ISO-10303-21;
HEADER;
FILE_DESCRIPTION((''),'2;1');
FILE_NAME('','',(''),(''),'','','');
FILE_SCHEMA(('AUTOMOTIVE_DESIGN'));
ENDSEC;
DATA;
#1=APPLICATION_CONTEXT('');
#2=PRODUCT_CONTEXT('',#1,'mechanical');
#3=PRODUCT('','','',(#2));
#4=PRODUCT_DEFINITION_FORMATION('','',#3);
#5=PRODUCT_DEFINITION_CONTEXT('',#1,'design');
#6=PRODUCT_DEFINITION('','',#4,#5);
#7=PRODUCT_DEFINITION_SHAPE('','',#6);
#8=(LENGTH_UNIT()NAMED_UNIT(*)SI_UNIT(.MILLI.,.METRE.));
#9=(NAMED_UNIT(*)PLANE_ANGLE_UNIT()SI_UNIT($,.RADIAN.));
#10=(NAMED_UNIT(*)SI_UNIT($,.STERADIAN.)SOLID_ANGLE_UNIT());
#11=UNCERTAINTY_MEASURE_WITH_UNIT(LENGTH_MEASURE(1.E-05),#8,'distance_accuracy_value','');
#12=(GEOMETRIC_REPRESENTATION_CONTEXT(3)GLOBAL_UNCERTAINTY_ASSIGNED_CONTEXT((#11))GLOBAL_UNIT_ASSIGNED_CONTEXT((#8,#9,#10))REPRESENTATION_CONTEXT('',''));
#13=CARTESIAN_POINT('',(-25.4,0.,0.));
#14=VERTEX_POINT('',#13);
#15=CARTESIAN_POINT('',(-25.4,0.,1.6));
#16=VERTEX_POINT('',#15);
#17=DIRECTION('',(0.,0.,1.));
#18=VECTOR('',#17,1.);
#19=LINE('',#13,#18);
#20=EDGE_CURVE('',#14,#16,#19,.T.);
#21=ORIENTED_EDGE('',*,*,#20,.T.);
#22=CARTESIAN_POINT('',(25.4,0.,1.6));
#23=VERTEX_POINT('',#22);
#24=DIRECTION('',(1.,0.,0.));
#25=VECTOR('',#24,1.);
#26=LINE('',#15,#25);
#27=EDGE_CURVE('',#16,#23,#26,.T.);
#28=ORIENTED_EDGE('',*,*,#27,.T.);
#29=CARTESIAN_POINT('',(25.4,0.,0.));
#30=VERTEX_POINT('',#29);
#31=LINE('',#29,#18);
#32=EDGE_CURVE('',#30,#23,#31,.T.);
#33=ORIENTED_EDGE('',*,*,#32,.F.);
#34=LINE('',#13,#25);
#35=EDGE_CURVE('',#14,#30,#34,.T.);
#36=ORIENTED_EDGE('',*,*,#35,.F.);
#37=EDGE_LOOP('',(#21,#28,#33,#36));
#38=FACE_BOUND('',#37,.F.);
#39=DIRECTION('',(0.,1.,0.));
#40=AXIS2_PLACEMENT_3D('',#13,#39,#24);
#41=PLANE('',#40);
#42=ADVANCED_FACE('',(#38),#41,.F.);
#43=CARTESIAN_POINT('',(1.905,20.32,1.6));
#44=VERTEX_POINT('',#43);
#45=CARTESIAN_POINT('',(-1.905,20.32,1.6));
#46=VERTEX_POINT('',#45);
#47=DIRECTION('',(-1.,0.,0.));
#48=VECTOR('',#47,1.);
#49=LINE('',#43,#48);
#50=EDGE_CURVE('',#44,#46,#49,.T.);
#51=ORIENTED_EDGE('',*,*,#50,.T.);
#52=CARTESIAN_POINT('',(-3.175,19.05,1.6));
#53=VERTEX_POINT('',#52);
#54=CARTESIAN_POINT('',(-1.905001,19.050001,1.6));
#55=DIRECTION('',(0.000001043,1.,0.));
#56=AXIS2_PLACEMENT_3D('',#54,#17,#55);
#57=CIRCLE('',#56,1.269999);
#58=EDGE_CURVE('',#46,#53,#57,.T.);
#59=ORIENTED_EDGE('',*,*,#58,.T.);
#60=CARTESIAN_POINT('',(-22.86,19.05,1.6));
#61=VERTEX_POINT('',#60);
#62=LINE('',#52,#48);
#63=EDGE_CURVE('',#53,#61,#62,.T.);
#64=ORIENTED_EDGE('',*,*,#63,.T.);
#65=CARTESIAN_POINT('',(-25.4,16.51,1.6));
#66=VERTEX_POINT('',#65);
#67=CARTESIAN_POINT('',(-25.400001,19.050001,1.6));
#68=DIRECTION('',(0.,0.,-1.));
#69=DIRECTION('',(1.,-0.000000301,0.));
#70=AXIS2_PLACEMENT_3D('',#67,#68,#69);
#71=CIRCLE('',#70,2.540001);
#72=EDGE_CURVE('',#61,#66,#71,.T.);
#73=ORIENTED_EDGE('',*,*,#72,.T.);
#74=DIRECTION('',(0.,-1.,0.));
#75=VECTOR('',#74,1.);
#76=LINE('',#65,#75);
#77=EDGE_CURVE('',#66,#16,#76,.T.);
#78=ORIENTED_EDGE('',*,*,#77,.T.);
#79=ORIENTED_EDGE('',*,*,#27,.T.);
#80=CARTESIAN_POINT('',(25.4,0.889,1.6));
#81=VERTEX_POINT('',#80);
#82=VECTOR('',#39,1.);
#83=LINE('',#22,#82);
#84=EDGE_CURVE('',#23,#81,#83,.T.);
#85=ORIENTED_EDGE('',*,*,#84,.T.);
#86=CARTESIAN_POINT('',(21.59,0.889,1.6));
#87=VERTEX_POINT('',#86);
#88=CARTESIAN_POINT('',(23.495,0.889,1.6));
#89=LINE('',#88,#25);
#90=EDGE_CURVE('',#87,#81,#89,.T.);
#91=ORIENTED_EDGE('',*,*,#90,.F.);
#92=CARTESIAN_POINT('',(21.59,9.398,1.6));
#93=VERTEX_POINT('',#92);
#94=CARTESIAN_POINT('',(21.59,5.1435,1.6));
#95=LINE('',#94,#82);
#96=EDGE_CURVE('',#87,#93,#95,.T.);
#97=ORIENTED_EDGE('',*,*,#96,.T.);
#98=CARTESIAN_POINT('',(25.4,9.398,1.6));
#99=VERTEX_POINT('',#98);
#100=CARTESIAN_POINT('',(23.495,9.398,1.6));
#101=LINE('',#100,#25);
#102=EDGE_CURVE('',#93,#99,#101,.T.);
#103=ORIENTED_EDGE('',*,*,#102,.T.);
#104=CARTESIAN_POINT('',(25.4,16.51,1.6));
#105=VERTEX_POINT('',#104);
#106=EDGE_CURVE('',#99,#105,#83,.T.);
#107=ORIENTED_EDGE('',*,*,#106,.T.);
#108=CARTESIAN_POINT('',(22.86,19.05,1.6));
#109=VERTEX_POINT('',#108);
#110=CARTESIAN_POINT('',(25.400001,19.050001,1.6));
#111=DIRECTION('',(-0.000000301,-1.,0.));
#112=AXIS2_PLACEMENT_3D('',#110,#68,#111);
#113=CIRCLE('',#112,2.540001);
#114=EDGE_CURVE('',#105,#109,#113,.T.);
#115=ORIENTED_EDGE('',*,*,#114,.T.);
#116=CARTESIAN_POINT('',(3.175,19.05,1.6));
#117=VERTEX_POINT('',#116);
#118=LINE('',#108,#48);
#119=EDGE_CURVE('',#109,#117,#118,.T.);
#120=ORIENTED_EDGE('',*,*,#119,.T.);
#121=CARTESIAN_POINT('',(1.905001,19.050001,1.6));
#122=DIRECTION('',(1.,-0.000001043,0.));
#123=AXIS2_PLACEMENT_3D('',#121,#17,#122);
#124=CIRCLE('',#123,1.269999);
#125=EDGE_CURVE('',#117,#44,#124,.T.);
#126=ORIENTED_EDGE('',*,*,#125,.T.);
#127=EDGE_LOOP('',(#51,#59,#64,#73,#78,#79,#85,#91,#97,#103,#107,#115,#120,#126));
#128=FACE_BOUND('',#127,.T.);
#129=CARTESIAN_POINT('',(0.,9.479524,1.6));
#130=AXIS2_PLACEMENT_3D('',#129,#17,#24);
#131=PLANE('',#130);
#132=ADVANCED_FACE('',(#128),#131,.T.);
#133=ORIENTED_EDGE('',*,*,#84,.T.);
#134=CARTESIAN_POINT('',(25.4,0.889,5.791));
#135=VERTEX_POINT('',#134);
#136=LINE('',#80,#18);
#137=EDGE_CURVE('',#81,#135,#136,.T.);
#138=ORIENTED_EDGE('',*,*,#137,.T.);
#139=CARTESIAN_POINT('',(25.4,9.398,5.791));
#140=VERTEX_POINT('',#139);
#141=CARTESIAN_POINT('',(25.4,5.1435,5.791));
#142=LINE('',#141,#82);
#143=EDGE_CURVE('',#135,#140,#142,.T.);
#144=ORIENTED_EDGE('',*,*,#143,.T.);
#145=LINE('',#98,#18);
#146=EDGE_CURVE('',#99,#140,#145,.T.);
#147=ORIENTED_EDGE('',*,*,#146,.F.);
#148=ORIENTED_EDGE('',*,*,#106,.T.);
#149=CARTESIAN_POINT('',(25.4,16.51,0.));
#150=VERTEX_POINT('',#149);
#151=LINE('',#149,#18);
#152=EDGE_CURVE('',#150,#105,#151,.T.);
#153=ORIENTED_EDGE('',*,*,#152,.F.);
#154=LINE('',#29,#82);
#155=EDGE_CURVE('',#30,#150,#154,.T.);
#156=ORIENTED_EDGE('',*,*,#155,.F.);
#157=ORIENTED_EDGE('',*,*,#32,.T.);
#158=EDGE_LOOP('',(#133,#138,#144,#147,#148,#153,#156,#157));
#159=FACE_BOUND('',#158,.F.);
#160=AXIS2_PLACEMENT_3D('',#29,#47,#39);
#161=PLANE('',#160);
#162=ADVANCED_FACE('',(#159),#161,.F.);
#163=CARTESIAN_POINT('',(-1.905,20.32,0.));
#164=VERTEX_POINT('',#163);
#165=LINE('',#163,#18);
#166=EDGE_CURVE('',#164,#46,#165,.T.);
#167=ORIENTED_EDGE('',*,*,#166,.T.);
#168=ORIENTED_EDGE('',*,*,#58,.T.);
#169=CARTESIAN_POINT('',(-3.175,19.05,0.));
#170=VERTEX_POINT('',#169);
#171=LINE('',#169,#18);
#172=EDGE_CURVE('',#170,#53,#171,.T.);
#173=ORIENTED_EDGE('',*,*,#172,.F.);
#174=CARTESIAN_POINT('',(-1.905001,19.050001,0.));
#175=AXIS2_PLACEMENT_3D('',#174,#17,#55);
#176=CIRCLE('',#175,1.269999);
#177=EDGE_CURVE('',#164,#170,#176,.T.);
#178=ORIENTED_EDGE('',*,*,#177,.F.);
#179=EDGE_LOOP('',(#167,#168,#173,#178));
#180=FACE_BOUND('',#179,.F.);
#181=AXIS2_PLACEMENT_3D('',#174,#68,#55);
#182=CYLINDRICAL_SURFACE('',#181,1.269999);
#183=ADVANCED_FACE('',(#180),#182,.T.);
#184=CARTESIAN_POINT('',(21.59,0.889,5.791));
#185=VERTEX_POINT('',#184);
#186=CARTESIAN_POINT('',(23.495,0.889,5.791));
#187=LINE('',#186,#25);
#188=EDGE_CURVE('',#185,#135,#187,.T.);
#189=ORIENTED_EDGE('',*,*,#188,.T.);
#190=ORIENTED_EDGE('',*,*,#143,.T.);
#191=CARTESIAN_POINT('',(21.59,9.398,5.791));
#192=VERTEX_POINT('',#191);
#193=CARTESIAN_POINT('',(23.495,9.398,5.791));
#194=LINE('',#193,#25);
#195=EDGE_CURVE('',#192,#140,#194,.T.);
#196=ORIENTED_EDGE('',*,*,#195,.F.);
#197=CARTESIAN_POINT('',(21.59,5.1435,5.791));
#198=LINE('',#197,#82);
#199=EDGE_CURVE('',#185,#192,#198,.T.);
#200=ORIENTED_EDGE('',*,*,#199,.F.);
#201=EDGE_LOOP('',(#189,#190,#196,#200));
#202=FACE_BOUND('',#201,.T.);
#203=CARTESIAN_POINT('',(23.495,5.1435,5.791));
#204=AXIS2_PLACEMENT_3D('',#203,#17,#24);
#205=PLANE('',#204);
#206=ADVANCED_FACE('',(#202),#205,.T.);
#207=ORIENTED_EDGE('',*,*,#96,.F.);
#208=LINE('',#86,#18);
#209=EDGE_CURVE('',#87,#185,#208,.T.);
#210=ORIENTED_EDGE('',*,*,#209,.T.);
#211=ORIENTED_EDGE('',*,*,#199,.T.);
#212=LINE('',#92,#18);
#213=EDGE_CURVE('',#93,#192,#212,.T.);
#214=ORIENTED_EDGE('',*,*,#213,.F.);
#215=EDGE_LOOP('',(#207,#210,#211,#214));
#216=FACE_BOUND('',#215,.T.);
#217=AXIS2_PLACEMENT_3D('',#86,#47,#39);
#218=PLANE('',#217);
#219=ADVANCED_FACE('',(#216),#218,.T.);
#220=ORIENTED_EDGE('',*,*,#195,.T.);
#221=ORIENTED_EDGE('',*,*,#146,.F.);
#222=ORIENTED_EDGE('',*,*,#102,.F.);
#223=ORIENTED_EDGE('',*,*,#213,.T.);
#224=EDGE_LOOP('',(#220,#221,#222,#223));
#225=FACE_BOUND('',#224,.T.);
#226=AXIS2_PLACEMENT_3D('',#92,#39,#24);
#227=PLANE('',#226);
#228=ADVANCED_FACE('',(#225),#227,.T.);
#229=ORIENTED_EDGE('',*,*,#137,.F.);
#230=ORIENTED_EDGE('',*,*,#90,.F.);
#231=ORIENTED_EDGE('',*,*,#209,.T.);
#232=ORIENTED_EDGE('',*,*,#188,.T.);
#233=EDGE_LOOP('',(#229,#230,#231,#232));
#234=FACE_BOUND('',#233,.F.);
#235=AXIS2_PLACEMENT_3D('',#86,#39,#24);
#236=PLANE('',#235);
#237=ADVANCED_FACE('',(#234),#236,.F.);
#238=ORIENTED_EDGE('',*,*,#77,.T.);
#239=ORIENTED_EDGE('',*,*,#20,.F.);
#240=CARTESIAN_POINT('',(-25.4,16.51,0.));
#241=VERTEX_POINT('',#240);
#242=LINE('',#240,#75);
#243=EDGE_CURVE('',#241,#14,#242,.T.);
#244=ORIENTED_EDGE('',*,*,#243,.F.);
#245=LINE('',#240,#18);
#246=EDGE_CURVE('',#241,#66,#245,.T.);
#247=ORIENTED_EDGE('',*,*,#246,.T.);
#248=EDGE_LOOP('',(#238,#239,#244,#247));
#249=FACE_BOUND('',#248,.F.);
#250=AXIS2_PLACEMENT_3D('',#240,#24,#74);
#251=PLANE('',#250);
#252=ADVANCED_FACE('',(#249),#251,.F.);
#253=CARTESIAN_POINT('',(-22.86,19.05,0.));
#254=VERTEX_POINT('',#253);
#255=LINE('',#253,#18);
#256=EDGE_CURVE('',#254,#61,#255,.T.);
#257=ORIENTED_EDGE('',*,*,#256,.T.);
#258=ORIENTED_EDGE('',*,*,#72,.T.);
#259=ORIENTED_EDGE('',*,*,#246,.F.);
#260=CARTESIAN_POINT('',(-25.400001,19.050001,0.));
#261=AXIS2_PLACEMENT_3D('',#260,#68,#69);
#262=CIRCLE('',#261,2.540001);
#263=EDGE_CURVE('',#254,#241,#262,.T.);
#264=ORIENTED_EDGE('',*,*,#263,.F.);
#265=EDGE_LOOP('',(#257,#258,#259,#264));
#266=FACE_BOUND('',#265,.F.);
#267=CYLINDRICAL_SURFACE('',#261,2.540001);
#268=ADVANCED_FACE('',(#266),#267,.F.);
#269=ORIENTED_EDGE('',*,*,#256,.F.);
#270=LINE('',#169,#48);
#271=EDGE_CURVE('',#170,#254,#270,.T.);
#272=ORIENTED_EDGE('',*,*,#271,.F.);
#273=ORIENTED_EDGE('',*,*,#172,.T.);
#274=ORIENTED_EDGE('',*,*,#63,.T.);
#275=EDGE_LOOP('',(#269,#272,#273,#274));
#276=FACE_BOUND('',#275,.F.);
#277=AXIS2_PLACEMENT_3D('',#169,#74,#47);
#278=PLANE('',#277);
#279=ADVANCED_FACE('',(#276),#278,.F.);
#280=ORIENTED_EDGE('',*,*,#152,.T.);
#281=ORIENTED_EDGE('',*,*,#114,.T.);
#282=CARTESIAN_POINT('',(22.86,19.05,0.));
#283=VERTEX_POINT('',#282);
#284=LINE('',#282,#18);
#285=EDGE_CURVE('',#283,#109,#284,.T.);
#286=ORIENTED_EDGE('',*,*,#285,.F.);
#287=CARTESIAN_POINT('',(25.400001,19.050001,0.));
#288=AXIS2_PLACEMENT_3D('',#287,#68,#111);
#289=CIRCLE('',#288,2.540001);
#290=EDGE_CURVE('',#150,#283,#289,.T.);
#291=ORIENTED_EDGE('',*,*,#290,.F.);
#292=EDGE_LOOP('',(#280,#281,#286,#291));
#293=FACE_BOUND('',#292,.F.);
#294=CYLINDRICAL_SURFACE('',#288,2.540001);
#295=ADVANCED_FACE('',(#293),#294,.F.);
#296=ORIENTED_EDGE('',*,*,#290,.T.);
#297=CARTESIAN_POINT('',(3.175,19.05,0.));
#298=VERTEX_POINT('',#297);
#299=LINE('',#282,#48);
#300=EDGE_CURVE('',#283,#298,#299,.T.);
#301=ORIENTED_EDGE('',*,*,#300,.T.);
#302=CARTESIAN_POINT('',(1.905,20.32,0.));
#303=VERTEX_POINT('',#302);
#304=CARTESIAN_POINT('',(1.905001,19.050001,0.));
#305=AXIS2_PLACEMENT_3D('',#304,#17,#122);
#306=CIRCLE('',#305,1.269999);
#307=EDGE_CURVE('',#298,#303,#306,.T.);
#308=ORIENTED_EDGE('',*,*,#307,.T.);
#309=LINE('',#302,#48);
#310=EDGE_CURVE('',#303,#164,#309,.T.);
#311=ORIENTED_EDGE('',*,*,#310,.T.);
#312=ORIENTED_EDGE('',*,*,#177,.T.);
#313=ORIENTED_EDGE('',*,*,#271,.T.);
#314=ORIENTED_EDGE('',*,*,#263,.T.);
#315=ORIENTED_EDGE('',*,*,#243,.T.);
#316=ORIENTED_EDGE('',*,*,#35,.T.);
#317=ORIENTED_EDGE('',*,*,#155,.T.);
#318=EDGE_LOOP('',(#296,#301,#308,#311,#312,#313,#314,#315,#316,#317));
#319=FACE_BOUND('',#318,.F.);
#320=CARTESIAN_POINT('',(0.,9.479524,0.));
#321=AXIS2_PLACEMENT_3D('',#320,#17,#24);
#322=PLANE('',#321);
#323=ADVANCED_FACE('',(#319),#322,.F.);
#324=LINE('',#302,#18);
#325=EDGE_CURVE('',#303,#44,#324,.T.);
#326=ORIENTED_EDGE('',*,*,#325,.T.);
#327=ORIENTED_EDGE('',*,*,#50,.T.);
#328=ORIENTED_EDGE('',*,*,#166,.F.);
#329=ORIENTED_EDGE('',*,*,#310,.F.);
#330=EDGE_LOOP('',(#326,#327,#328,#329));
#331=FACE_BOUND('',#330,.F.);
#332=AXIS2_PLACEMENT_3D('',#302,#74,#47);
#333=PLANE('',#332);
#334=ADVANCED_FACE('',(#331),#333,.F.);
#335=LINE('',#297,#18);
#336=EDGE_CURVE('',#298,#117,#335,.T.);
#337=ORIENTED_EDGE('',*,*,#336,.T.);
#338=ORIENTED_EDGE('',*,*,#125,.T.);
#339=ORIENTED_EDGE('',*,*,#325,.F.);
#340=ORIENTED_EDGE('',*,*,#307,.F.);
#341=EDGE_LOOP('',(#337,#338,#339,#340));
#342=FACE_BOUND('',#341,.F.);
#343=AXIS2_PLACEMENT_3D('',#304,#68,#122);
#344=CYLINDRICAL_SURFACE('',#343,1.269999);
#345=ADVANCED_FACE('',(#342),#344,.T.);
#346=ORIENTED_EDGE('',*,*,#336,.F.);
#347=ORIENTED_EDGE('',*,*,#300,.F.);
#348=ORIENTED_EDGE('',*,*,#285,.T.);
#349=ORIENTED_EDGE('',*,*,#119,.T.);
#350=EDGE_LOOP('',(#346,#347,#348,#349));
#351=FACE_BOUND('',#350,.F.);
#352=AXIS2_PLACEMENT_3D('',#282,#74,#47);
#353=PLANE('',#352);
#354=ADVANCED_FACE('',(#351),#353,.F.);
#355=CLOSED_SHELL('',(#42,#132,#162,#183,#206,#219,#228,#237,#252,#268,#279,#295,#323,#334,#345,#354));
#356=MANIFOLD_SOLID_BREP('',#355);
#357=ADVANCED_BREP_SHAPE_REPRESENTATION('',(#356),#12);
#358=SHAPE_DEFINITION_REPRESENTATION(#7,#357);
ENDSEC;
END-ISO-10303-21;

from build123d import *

# Parameters (mm, degrees)
F1_DEPTH = 1.6
F2_W     = 3.81
F2_H     = 8.509
F3_DEPTH = 4.191


with BuildPart() as f1:
    # F0 (on Top) → F1 (new body)
    with BuildSketch(Plane.XY):
        with BuildLine():
            Line((-25.4, 16.51), (-25.4, 0))
            Line((-25.4, 0), (25.4, 0))
            Line((25.4, 0), (25.4, 16.51))
            ThreePointArc((25.4, 16.51), (23.603949, 17.253949), (22.86, 19.05))
            Line((22.86, 19.05), (3.175, 19.05))
            ThreePointArc((3.175, 19.05), (2.803026, 19.948026), (1.905, 20.32))
            Line((1.905, 20.32), (-1.905, 20.32))
            ThreePointArc((-1.905, 20.32), (-2.803026, 19.948026), (-3.175, 19.05))
            Line((-3.175, 19.05), (-22.86, 19.05))
            ThreePointArc((-22.86, 19.05), (-23.603949, 17.253949), (-25.4, 16.51))
        make_face()
    extrude(amount=F1_DEPTH)

    # F2 (on face) → F3 (join)
    with BuildSketch(Plane.XY.offset(1.6)):
        with Locations((23.495, 5.1435)):
            Rectangle(F2_W, F2_H)
    extrude(amount=F3_DEPTH)


solid = f1.part
